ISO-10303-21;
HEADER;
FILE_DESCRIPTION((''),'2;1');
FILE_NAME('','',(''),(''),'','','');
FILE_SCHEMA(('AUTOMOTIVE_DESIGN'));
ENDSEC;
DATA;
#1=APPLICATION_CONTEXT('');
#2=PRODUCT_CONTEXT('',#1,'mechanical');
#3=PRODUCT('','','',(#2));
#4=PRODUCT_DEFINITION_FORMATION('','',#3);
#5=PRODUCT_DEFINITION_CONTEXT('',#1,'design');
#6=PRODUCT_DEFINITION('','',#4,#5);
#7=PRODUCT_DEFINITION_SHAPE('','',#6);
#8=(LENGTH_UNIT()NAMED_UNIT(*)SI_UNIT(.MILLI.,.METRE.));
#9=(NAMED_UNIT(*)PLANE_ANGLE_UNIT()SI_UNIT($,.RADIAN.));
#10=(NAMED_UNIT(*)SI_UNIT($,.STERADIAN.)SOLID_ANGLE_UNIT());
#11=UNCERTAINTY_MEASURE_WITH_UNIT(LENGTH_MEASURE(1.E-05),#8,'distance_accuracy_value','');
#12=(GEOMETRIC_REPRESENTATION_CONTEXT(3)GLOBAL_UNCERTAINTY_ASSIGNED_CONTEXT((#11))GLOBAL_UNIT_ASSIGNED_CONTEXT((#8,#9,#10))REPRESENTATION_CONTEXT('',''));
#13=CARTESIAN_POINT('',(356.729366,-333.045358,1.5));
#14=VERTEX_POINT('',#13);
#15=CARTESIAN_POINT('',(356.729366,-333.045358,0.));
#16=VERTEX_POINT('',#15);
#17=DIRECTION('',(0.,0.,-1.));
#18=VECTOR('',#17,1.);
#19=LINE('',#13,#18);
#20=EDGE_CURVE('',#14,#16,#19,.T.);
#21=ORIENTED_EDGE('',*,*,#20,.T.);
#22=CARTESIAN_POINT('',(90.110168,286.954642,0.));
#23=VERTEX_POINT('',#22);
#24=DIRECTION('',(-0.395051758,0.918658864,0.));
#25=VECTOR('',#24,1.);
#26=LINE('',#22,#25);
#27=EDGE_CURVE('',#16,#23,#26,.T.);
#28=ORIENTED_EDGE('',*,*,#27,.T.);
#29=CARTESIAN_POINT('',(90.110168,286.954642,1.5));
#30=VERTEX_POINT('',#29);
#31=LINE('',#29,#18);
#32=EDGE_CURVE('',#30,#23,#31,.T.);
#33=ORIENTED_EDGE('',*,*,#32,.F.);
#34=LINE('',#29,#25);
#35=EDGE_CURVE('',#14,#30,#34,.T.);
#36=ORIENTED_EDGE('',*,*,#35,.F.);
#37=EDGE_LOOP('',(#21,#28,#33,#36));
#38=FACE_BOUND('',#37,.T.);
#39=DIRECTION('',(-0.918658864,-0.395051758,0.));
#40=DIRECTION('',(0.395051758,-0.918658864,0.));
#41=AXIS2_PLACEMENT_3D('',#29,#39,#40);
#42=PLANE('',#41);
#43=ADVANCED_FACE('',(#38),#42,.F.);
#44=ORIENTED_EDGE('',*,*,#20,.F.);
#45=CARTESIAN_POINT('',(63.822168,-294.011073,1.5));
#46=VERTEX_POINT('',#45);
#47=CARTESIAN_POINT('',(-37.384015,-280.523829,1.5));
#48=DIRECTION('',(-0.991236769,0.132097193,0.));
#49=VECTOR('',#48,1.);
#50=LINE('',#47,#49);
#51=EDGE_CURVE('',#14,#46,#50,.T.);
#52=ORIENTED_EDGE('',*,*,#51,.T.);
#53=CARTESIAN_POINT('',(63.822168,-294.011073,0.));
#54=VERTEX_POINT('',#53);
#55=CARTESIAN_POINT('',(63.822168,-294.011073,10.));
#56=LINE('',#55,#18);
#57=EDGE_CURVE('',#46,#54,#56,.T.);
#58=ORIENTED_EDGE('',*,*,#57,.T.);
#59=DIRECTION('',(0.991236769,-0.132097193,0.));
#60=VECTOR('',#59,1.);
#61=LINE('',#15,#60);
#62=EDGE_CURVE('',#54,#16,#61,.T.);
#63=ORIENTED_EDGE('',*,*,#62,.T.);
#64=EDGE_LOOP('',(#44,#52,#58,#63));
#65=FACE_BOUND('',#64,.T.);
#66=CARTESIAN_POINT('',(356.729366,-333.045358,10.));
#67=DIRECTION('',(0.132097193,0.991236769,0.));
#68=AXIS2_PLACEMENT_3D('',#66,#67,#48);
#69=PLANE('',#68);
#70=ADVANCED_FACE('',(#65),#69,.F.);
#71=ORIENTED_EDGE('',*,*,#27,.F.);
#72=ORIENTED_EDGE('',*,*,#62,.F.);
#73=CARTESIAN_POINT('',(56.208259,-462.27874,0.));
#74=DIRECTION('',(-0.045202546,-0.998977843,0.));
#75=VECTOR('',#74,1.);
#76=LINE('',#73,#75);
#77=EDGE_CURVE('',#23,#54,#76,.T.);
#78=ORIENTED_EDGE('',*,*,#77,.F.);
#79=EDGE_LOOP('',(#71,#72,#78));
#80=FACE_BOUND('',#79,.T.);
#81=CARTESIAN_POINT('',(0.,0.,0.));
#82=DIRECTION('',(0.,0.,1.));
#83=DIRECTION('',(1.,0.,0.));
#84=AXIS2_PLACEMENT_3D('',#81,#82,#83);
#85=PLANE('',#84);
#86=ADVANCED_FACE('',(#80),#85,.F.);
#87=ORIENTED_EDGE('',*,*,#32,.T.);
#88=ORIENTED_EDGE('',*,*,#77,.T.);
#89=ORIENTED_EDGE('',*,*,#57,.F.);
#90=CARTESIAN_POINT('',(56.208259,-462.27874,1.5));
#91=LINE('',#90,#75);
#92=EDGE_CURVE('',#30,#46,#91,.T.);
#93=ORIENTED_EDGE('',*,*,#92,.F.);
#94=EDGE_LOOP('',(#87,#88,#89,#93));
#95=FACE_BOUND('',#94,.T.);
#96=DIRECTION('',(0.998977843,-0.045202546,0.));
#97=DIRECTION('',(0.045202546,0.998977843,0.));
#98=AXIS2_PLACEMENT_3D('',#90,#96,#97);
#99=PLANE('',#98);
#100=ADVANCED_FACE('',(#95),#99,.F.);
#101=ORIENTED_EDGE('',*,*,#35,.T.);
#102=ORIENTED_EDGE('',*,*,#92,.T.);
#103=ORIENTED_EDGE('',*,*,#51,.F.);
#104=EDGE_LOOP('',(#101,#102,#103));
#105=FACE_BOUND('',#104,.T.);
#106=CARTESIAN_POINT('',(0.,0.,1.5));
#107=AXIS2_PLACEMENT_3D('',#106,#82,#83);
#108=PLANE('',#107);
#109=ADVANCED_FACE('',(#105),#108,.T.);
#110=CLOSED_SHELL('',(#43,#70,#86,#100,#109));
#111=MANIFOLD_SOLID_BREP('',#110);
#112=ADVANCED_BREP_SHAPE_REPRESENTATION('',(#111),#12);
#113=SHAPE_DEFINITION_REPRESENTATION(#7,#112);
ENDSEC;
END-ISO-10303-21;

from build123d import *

# Parameters (mm, degrees)
BOSS_EXTRUDE3_DEPTH = 1.5
CUT_EXTRUDE1_DEPTH  = 10


with BuildPart() as part:
    # Sketch2 → Boss-Extrude3 (new body)
    with BuildSketch(Plane.XY):
        Polygon((90.110168233, 286.954641753), (356.729366406, -333.045358247), (56.208258707, -462.278740131), align=None)
    extrude(amount=BOSS_EXTRUDE3_DEPTH)

    # Sketch3 → Cut-Extrude1 (cut)
    with BuildSketch(Plane(origin=(0, 0, 0), x_dir=(-1, 0, 0), z_dir=(0, 0, -1))):
        Polygon((-356.729366406, -333.045358247), (-63.822168281, -294.011073229), (-56.208258707, -462.278740131), align=None)
    extrude(amount=-CUT_EXTRUDE1_DEPTH, mode=Mode.SUBTRACT)


solid = part.part
